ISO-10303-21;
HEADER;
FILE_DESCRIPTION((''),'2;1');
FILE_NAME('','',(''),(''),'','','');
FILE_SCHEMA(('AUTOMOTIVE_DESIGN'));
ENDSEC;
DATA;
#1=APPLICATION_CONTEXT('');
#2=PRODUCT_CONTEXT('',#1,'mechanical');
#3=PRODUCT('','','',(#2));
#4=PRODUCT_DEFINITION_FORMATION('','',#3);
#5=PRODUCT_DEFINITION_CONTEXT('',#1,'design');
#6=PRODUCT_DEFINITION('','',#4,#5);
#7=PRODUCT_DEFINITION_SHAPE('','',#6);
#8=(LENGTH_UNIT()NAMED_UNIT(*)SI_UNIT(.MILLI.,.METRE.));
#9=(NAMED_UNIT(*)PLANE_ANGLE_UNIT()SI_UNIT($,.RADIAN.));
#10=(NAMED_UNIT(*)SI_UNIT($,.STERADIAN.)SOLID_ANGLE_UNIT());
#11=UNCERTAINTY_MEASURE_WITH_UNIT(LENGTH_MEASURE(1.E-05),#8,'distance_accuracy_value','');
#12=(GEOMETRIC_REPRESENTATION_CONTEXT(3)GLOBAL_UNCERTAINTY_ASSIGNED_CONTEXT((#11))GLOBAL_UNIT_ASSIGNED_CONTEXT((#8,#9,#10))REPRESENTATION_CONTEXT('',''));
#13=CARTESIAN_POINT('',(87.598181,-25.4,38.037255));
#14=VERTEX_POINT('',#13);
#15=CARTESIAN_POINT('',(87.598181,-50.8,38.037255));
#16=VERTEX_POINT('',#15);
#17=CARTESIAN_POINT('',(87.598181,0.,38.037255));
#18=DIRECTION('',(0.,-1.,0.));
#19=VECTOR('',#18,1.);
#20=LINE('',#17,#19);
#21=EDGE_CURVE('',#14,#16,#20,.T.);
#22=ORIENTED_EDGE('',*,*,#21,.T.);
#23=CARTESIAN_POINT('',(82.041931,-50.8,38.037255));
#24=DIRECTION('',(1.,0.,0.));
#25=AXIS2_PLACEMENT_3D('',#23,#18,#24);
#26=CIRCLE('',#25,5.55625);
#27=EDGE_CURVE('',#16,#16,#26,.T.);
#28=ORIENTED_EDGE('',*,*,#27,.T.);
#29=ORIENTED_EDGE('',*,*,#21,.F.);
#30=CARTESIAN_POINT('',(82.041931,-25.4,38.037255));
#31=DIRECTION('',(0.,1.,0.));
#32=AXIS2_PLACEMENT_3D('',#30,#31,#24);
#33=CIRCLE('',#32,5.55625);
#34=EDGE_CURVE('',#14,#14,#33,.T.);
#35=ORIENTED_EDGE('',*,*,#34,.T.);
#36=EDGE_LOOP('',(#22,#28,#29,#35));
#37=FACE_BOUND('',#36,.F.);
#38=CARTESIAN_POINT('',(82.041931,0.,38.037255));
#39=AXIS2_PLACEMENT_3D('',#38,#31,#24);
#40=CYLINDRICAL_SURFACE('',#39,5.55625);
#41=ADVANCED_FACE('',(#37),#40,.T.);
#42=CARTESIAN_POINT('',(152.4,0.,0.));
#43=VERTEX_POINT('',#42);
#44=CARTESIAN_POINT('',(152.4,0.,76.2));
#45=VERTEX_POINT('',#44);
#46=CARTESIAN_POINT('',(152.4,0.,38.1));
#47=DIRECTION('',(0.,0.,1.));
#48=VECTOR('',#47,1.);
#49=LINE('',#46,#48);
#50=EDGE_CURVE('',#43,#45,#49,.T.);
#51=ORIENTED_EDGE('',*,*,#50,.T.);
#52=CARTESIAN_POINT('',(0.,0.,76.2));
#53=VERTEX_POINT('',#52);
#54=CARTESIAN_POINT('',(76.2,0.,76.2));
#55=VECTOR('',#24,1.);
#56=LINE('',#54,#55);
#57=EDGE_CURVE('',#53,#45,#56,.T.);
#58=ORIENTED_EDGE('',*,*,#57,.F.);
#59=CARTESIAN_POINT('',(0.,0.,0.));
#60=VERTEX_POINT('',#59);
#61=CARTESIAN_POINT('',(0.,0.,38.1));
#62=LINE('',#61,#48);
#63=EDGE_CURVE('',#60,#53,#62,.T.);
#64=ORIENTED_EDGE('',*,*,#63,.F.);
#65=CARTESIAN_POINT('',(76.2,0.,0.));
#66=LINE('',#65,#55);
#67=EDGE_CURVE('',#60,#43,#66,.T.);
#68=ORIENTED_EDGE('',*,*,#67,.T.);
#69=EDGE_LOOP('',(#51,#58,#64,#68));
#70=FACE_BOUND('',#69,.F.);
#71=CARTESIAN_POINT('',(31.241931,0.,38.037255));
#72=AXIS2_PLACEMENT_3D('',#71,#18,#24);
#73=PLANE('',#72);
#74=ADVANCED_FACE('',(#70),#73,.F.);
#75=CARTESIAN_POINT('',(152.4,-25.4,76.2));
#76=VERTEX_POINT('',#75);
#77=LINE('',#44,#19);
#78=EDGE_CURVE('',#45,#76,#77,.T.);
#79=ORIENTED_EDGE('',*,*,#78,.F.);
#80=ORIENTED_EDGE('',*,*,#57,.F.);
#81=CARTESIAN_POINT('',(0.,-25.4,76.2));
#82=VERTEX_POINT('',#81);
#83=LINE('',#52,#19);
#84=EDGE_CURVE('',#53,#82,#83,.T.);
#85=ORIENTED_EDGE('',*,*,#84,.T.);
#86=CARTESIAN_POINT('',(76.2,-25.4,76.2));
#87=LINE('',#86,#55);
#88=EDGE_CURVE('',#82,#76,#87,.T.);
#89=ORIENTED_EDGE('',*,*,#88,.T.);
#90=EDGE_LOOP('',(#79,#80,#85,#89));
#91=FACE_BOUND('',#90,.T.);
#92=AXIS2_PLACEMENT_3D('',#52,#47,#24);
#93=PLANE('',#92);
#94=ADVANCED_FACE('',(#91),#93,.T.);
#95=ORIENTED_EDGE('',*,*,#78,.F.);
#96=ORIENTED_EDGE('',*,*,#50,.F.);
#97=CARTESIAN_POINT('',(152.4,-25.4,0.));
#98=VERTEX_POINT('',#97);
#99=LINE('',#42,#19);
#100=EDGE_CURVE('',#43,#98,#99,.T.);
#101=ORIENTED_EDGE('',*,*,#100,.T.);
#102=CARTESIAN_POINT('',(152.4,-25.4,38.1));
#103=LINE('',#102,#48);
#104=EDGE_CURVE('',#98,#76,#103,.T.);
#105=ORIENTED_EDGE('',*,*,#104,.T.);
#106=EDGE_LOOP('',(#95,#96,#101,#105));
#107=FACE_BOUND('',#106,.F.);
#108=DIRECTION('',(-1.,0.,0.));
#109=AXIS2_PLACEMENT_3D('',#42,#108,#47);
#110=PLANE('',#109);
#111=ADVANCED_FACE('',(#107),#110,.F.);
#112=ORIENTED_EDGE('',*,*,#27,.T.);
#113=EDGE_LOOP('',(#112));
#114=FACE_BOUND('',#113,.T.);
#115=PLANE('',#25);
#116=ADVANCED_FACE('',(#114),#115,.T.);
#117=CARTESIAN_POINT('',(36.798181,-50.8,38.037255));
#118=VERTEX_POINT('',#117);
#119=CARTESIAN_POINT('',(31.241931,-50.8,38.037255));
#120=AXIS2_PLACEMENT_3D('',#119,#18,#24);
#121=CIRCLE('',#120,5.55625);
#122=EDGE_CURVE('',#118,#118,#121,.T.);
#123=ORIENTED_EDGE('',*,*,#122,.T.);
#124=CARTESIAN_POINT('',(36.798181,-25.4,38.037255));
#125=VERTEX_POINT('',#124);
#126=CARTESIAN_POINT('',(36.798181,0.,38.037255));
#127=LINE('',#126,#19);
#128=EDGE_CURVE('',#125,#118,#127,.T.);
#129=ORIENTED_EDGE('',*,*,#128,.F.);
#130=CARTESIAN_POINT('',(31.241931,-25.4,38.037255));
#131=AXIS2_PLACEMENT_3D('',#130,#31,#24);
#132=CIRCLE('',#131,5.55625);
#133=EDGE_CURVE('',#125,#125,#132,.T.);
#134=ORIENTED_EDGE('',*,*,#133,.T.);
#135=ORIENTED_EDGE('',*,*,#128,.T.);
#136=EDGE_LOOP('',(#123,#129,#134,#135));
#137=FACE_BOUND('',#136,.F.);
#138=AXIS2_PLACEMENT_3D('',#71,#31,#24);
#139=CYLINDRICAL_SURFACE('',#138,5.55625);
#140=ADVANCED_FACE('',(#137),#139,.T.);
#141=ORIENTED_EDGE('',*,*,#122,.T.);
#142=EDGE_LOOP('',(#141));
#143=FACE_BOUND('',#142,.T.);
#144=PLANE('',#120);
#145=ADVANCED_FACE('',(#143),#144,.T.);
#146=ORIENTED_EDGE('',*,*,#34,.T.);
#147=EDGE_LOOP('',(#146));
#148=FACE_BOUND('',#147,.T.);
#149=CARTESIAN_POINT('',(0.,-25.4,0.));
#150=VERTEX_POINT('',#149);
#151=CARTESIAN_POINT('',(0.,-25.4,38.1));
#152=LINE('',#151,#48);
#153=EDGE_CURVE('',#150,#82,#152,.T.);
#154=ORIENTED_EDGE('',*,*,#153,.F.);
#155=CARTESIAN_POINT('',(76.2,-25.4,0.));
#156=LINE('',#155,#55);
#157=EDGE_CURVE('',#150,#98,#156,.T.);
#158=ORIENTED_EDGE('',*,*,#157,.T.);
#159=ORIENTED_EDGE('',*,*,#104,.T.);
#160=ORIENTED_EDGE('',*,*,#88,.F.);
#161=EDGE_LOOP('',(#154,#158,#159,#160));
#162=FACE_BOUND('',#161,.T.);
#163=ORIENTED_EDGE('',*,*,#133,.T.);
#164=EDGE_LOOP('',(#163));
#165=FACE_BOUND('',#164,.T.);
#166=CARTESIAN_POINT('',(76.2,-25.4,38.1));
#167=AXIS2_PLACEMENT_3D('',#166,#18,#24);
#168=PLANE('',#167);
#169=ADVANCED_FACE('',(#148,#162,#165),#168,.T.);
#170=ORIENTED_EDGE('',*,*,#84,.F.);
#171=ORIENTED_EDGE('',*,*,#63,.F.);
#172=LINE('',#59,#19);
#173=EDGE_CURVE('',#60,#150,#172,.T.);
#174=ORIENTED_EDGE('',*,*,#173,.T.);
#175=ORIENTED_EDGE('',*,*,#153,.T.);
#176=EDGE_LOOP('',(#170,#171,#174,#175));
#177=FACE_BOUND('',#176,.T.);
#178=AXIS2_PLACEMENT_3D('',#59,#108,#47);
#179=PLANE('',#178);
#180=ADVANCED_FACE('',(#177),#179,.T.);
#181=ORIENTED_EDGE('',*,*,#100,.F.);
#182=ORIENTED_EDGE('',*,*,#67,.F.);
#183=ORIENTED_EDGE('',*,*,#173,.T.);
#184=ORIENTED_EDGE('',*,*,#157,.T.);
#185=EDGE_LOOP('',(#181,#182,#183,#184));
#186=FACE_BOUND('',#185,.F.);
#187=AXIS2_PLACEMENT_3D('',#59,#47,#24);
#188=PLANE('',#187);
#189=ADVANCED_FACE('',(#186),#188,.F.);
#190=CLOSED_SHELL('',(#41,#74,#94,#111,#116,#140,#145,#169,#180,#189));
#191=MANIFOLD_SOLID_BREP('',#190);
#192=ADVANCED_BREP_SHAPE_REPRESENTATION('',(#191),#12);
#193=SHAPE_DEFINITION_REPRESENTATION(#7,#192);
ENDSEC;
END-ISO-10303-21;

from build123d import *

# Parameters (mm, degrees)
F0_W     = 152.4
F0_H     = 76.2
F1_DEPTH = 25.4
F2_R     = 5.55625
F3_DEPTH = 50.8


with BuildPart() as f1:
    # F0 (on Front) → F1 (new body)
    with BuildSketch(Plane.XZ):
        with Locations((76.2, 38.1)):
            Rectangle(F0_W, F0_H)
    extrude(amount=F1_DEPTH)

    # F2 (on Front) → F3 (join)
    with BuildSketch(Plane.XZ):
        with Locations((31.241931, 38.037255)):
            Circle(F2_R)
        with Locations((82.041931, 38.037255)):
            Circle(F2_R)
    extrude(amount=F3_DEPTH)


solid = f1.part
